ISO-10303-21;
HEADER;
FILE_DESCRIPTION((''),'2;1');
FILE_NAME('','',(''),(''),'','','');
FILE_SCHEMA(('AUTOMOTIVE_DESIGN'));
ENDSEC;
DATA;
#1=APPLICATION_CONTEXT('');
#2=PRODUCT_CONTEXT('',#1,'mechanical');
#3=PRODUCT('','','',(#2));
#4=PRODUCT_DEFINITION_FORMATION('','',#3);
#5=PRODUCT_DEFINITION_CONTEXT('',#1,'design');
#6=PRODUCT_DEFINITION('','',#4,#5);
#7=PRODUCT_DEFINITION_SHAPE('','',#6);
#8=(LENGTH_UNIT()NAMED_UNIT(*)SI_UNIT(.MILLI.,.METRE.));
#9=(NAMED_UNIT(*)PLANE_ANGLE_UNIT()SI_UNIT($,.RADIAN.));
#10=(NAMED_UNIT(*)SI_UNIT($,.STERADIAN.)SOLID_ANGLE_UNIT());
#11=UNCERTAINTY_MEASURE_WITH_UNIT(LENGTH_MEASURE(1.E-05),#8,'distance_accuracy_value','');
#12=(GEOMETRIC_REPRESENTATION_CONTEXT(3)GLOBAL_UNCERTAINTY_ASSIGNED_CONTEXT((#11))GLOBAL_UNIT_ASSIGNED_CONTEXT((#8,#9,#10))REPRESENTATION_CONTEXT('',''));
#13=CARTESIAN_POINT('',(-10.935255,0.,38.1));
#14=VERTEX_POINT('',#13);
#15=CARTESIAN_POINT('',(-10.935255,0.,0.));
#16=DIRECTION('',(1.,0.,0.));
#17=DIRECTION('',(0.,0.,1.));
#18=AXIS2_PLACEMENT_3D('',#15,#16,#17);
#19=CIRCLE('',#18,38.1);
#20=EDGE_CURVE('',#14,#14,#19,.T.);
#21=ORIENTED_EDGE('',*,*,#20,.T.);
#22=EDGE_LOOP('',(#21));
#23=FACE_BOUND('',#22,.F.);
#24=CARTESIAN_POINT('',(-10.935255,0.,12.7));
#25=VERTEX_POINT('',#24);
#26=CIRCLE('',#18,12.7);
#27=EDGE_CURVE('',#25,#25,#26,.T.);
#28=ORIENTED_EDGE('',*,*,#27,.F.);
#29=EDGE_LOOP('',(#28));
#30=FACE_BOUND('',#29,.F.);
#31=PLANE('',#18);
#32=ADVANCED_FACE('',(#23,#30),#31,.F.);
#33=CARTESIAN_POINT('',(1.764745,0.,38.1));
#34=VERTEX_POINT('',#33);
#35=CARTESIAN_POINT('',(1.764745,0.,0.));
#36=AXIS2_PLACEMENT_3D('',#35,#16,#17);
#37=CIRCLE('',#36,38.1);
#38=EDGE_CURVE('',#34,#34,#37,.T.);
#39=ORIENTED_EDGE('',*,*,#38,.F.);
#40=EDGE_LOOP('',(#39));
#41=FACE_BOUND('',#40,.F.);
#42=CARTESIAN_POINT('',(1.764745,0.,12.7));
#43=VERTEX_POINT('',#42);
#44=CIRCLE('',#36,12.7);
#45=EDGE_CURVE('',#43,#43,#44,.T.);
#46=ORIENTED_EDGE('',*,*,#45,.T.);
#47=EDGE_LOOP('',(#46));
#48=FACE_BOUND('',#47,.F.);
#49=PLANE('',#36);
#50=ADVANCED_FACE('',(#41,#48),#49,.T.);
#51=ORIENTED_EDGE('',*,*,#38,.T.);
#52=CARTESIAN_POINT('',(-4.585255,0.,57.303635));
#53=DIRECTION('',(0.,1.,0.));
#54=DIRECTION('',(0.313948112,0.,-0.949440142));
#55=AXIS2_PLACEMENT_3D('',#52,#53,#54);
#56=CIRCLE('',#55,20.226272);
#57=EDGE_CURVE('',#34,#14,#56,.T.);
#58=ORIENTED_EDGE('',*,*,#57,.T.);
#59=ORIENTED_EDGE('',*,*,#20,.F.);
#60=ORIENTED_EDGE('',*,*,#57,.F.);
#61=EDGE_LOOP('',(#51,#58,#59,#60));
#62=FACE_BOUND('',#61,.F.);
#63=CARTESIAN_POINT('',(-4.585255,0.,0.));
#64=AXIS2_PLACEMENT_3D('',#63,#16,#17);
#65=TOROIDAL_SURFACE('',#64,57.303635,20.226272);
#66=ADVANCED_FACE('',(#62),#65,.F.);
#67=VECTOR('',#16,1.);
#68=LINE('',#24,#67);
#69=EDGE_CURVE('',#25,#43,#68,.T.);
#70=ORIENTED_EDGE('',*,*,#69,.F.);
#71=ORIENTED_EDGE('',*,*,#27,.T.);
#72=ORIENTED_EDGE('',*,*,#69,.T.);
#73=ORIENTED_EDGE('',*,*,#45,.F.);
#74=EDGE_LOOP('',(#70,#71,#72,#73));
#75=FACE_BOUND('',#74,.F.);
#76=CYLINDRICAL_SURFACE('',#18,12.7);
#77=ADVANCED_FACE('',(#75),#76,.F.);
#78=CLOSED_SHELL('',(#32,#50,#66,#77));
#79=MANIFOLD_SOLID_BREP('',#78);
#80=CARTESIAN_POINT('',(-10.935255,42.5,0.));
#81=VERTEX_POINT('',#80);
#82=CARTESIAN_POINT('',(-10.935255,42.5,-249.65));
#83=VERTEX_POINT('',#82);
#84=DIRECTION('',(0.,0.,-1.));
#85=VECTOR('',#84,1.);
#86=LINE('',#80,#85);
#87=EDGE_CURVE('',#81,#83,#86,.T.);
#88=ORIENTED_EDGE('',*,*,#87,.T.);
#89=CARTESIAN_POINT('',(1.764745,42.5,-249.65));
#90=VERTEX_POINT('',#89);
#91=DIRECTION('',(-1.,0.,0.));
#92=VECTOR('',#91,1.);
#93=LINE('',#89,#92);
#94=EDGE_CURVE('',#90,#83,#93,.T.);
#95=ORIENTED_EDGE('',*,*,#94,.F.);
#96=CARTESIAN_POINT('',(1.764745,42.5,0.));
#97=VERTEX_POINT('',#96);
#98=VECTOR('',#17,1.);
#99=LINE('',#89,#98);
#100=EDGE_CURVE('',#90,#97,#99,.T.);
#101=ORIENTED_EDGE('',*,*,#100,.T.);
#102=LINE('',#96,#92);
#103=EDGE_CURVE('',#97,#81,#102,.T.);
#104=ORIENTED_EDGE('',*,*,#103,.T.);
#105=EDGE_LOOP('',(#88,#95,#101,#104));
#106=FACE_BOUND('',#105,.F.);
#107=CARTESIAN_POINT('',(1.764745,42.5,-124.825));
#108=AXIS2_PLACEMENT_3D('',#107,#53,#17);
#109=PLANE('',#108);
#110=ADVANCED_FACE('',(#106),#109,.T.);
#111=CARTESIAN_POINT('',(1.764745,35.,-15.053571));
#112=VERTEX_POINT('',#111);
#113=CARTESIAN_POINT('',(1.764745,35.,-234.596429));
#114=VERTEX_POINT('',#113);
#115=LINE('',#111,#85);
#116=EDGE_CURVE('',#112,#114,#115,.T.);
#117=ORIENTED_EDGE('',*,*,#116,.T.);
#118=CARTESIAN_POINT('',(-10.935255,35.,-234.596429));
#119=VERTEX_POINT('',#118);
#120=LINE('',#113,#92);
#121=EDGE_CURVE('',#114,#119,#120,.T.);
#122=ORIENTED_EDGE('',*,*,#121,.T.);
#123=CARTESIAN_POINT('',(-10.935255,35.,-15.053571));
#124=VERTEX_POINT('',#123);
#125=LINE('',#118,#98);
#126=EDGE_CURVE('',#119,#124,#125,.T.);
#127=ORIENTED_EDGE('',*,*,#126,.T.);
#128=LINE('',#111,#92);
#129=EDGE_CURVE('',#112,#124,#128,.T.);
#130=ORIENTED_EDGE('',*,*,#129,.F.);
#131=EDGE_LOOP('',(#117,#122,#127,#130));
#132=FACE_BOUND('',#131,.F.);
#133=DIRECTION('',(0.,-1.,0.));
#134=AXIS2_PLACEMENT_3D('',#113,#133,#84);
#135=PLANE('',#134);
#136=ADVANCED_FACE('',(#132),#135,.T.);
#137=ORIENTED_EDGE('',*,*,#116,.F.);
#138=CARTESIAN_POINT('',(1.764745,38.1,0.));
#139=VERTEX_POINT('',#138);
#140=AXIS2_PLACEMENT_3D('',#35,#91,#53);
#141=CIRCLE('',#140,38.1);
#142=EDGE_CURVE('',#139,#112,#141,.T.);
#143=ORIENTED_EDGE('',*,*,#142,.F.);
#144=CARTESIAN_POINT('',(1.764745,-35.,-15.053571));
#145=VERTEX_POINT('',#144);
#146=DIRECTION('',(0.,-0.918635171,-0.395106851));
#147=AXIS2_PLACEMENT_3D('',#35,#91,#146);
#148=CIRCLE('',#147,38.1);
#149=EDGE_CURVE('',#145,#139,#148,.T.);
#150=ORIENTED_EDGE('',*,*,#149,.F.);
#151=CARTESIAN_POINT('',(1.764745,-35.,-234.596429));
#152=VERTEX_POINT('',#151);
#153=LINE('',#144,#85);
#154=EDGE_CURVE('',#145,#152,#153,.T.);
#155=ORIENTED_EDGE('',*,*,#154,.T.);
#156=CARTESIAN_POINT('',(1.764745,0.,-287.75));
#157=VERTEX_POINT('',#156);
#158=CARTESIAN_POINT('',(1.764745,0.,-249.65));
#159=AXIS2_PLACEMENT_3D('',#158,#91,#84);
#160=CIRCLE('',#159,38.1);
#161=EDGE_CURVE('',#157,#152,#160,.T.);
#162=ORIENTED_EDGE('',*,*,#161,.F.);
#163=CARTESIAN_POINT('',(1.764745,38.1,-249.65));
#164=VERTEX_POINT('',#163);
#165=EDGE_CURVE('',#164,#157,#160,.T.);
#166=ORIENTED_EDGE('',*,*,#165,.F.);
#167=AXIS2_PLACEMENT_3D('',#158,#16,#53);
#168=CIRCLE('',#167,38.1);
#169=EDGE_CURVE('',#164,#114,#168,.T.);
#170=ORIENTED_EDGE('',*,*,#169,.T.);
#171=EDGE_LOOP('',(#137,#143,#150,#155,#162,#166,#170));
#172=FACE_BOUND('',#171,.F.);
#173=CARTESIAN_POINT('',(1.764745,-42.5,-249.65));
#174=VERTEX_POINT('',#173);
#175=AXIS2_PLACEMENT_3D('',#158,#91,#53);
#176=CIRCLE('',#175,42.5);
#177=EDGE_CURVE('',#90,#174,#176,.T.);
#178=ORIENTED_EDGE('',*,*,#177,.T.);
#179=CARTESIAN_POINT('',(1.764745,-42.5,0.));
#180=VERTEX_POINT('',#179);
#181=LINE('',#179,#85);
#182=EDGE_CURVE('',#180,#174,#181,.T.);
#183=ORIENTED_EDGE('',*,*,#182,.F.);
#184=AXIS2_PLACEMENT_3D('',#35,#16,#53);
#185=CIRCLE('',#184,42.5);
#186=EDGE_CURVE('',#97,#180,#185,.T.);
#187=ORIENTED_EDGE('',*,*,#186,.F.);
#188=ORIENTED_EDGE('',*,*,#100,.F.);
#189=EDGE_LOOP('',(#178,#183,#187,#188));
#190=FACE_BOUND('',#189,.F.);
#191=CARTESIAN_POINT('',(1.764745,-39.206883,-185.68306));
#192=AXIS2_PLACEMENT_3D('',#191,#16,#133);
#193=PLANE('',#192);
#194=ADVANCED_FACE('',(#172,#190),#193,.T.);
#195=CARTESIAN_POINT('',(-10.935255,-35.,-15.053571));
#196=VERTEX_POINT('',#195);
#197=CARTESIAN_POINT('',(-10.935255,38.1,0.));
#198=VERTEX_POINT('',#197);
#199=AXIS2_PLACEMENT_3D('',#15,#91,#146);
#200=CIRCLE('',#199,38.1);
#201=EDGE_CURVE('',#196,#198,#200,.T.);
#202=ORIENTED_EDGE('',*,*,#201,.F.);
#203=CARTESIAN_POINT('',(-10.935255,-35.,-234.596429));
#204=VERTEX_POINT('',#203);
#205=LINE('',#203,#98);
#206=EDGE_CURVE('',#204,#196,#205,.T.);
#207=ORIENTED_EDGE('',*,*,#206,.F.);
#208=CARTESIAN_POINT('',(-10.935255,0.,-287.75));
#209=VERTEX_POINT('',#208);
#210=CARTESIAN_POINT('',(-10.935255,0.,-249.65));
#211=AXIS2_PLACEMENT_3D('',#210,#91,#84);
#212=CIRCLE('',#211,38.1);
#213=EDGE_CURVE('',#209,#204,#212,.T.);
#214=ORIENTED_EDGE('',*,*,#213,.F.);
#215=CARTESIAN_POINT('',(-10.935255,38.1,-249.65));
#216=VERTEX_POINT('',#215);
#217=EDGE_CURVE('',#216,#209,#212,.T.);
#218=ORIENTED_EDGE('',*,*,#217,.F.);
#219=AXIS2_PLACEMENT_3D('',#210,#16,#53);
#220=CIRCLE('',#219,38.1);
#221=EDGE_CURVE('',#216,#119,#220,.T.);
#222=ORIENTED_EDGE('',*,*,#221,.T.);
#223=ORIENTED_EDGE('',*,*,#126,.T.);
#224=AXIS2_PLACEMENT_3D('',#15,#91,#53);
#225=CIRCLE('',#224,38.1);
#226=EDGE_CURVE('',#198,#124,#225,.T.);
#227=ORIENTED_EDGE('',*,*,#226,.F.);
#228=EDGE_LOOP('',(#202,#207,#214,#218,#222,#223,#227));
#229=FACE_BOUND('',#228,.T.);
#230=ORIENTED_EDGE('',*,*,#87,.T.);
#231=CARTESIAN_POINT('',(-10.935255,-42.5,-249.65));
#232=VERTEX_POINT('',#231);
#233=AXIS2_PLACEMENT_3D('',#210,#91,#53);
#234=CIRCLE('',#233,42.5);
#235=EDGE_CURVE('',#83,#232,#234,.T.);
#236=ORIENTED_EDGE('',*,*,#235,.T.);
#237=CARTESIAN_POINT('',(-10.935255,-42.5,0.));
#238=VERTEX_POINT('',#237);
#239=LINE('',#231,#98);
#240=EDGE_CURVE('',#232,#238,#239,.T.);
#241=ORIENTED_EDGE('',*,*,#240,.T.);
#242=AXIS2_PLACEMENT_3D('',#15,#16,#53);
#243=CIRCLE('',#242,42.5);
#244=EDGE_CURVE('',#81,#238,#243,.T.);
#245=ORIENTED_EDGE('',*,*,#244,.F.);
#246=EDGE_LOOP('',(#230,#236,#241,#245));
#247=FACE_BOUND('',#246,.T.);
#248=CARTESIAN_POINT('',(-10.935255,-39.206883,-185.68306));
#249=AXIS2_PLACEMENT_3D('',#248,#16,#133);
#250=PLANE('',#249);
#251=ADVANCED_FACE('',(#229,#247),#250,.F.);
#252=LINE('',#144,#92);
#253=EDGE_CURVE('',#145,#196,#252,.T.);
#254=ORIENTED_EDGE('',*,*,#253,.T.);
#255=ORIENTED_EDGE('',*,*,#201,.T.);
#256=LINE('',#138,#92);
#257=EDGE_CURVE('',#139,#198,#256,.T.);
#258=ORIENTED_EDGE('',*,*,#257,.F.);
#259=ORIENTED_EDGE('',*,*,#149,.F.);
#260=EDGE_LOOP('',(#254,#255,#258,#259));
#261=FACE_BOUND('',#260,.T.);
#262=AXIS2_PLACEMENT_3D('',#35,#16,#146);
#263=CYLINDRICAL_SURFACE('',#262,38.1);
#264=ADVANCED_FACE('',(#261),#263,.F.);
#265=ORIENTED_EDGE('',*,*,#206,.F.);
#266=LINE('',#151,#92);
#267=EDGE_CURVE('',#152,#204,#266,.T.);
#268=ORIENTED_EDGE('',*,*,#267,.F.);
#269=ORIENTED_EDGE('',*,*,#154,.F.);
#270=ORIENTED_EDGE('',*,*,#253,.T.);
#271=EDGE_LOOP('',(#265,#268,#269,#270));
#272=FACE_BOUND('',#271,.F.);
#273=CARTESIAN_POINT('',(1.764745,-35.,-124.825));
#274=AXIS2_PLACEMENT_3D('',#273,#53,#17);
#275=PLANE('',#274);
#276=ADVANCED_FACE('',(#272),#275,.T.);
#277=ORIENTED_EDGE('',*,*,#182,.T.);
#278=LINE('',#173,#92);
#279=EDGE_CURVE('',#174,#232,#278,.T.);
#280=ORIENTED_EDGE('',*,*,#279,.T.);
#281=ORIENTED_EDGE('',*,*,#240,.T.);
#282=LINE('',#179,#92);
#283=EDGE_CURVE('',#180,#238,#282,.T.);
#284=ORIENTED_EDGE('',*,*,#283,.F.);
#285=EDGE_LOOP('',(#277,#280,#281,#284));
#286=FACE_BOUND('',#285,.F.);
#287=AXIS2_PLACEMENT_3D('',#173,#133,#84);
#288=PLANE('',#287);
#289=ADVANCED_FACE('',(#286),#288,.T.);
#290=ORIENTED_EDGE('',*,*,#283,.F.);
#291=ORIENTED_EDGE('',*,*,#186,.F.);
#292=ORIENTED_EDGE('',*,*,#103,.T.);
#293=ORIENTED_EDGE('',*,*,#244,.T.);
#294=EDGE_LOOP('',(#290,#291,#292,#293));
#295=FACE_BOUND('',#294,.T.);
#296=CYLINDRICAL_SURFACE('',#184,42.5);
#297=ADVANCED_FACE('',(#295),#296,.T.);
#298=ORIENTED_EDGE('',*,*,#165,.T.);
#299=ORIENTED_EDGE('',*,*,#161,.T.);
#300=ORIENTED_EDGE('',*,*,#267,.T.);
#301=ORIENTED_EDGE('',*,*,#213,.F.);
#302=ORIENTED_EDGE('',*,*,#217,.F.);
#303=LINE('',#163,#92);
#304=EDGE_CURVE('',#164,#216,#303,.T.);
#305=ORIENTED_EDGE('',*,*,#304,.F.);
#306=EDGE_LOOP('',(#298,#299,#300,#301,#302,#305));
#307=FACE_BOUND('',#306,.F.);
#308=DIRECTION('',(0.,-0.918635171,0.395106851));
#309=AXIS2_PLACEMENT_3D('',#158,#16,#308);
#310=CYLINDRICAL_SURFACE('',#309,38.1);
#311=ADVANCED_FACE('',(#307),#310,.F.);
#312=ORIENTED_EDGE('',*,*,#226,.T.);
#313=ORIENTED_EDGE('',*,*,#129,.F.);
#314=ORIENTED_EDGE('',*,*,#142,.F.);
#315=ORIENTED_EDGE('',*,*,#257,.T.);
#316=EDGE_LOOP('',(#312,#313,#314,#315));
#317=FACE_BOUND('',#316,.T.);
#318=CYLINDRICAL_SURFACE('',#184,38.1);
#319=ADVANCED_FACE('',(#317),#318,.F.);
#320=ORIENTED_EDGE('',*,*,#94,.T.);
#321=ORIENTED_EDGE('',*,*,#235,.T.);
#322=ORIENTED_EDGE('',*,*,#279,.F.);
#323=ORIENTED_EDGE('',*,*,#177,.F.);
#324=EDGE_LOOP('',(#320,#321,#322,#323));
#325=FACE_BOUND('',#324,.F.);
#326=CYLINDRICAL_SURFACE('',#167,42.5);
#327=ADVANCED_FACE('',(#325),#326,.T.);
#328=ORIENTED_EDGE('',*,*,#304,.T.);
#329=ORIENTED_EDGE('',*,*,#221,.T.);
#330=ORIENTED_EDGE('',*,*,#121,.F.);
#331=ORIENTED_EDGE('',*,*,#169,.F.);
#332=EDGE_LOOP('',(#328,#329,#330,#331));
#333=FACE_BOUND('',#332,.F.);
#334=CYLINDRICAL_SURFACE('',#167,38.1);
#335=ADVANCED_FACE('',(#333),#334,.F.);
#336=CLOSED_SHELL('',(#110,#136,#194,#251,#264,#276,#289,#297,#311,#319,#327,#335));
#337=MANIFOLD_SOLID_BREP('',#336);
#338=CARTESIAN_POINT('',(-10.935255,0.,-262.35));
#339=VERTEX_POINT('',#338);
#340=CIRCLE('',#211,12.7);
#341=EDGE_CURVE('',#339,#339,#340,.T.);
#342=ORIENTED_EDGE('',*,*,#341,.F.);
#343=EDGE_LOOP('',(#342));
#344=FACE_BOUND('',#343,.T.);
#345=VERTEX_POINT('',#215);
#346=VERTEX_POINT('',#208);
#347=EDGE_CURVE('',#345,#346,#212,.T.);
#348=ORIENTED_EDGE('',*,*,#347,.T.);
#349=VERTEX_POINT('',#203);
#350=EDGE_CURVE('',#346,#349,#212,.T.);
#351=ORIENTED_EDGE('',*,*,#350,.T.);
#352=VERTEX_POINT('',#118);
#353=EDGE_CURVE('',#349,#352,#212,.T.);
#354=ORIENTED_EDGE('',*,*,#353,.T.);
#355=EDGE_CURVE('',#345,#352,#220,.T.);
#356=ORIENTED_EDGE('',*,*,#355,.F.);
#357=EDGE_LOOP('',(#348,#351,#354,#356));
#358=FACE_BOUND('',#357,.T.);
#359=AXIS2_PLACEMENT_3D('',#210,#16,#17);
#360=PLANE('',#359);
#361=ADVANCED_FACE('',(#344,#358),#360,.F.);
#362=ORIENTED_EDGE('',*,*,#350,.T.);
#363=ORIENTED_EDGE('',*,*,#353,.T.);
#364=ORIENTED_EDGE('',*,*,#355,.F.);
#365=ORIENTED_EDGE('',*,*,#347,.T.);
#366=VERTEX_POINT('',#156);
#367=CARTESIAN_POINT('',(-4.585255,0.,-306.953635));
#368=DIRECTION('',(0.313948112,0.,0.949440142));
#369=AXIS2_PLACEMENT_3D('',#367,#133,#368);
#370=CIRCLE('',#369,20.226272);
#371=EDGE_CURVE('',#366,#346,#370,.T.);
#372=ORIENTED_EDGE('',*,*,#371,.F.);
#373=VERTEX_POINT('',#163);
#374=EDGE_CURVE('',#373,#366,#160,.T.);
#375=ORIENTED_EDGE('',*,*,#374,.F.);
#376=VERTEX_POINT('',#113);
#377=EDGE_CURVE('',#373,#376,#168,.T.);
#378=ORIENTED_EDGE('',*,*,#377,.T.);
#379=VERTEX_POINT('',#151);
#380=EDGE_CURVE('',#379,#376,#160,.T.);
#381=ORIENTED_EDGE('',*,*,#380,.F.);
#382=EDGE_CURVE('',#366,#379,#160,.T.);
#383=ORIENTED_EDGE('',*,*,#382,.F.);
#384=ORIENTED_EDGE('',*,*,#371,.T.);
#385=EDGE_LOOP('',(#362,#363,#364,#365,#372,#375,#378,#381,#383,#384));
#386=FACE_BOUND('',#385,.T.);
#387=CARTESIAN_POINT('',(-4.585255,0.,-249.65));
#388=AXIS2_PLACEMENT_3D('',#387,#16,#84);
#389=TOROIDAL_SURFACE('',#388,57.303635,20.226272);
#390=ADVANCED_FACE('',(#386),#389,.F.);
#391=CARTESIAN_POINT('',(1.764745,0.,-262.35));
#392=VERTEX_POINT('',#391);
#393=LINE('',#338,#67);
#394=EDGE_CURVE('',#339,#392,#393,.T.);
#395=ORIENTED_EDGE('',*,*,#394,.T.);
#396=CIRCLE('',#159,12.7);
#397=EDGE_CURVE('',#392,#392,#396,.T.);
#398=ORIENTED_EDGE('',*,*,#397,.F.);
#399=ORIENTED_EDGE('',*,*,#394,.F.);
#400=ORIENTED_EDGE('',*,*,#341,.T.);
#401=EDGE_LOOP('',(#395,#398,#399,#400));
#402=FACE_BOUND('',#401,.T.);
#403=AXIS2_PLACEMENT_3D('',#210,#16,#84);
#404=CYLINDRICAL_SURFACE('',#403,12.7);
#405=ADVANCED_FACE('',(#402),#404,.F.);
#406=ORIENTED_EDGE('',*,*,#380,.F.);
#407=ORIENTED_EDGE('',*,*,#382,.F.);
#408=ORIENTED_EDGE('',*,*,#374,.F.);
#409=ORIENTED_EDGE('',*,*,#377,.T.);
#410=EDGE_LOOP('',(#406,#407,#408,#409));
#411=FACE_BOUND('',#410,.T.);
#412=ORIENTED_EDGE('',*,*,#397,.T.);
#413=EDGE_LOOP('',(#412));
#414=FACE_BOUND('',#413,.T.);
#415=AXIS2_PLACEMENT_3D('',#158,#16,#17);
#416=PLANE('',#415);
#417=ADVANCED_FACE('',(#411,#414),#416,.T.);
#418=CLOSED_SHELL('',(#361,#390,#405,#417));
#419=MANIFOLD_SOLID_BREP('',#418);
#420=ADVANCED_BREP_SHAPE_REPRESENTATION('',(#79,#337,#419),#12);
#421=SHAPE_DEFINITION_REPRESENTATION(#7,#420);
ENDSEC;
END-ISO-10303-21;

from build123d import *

# Parameters (mm, degrees)
F5_DEPTH = 12.7


with BuildPart() as f1:
    # F0 (on Front) → F1 (revolve)
    with BuildSketch(Plane.XZ):
        with BuildLine():
            Line((-10.9352547455, 38.1), (-10.9352547455, 12.7))
            Line((-10.9352547455, 12.7), (1.7647452545, 12.7))
            Line((1.7647452545, 12.7), (1.7647452545, 38.1))
            ThreePointArc((1.7647452545, 38.1), (-4.5852547455, 37.0773625405), (-10.9352547455, 38.1))
        make_face()
    revolve(axis=Axis((-4.5852547455, 0, 0), (1, 0, 0)))


with BuildPart() as f3_1:
    # F3: instance of F1
    add(f1.part.mirror(Plane.XY.offset(-124.825)))



with BuildPart() as f5:
    # F4 (on face) → F5 (new body, through all)
    with BuildSketch(Plane.YZ.offset(1.7647452545)):
        with BuildLine():
            Line((-35, -124.825), (-35, -24.1091269025))
            ThreePointArc((-35, -24.1091269025), (-40.5817077019, -12.624381173), (-42.5, 0))
            Line((-42.5, 0), (-42.5, -124.825))
            Line((-42.5, -124.825), (-35, -124.825))
        make_face()
        with BuildLine():
            ThreePointArc((42.5, 0), (40.5817077019, -12.624381173), (35, -24.1091269025))
            Line((35, -24.1091269025), (35, -124.825))
            Line((35, -124.825), (42.5, -124.825))
            Line((42.5, -124.825), (42.5, 0))
        make_face()
        with BuildLine():
            ThreePointArc((38.1, 0), (37.3169532518, -7.6847251089), (35, -15.0535710049))
            Line((35, -15.0535710049), (35, -24.1091269025))
            ThreePointArc((35, -24.1091269025), (40.5817077019, -12.624381173), (42.5, 0))
            ThreePointArc((42.5, 0), (0, 42.5), (-42.5, 0))
            ThreePointArc((-42.5, 0), (-40.5817077019, -12.624381173), (-35, -24.1091269025))
            Line((-35, -24.1091269025), (-35, -15.0535710049))
            ThreePointArc((-35, -15.0535710049), (-7.6847251089, 37.3169532518), (38.1, 0))
        make_face()
    extrude(amount=-F5_DEPTH)


with BuildPart() as f3_1_1:
    add(f3_1.part)

    add(f5.part)  # F6 merges F5
    # F6: F5 across plane
    add(f5.part.mirror(Plane.XY.offset(-124.825)))


solid = Compound([f1.part, f3_1_1.part])
